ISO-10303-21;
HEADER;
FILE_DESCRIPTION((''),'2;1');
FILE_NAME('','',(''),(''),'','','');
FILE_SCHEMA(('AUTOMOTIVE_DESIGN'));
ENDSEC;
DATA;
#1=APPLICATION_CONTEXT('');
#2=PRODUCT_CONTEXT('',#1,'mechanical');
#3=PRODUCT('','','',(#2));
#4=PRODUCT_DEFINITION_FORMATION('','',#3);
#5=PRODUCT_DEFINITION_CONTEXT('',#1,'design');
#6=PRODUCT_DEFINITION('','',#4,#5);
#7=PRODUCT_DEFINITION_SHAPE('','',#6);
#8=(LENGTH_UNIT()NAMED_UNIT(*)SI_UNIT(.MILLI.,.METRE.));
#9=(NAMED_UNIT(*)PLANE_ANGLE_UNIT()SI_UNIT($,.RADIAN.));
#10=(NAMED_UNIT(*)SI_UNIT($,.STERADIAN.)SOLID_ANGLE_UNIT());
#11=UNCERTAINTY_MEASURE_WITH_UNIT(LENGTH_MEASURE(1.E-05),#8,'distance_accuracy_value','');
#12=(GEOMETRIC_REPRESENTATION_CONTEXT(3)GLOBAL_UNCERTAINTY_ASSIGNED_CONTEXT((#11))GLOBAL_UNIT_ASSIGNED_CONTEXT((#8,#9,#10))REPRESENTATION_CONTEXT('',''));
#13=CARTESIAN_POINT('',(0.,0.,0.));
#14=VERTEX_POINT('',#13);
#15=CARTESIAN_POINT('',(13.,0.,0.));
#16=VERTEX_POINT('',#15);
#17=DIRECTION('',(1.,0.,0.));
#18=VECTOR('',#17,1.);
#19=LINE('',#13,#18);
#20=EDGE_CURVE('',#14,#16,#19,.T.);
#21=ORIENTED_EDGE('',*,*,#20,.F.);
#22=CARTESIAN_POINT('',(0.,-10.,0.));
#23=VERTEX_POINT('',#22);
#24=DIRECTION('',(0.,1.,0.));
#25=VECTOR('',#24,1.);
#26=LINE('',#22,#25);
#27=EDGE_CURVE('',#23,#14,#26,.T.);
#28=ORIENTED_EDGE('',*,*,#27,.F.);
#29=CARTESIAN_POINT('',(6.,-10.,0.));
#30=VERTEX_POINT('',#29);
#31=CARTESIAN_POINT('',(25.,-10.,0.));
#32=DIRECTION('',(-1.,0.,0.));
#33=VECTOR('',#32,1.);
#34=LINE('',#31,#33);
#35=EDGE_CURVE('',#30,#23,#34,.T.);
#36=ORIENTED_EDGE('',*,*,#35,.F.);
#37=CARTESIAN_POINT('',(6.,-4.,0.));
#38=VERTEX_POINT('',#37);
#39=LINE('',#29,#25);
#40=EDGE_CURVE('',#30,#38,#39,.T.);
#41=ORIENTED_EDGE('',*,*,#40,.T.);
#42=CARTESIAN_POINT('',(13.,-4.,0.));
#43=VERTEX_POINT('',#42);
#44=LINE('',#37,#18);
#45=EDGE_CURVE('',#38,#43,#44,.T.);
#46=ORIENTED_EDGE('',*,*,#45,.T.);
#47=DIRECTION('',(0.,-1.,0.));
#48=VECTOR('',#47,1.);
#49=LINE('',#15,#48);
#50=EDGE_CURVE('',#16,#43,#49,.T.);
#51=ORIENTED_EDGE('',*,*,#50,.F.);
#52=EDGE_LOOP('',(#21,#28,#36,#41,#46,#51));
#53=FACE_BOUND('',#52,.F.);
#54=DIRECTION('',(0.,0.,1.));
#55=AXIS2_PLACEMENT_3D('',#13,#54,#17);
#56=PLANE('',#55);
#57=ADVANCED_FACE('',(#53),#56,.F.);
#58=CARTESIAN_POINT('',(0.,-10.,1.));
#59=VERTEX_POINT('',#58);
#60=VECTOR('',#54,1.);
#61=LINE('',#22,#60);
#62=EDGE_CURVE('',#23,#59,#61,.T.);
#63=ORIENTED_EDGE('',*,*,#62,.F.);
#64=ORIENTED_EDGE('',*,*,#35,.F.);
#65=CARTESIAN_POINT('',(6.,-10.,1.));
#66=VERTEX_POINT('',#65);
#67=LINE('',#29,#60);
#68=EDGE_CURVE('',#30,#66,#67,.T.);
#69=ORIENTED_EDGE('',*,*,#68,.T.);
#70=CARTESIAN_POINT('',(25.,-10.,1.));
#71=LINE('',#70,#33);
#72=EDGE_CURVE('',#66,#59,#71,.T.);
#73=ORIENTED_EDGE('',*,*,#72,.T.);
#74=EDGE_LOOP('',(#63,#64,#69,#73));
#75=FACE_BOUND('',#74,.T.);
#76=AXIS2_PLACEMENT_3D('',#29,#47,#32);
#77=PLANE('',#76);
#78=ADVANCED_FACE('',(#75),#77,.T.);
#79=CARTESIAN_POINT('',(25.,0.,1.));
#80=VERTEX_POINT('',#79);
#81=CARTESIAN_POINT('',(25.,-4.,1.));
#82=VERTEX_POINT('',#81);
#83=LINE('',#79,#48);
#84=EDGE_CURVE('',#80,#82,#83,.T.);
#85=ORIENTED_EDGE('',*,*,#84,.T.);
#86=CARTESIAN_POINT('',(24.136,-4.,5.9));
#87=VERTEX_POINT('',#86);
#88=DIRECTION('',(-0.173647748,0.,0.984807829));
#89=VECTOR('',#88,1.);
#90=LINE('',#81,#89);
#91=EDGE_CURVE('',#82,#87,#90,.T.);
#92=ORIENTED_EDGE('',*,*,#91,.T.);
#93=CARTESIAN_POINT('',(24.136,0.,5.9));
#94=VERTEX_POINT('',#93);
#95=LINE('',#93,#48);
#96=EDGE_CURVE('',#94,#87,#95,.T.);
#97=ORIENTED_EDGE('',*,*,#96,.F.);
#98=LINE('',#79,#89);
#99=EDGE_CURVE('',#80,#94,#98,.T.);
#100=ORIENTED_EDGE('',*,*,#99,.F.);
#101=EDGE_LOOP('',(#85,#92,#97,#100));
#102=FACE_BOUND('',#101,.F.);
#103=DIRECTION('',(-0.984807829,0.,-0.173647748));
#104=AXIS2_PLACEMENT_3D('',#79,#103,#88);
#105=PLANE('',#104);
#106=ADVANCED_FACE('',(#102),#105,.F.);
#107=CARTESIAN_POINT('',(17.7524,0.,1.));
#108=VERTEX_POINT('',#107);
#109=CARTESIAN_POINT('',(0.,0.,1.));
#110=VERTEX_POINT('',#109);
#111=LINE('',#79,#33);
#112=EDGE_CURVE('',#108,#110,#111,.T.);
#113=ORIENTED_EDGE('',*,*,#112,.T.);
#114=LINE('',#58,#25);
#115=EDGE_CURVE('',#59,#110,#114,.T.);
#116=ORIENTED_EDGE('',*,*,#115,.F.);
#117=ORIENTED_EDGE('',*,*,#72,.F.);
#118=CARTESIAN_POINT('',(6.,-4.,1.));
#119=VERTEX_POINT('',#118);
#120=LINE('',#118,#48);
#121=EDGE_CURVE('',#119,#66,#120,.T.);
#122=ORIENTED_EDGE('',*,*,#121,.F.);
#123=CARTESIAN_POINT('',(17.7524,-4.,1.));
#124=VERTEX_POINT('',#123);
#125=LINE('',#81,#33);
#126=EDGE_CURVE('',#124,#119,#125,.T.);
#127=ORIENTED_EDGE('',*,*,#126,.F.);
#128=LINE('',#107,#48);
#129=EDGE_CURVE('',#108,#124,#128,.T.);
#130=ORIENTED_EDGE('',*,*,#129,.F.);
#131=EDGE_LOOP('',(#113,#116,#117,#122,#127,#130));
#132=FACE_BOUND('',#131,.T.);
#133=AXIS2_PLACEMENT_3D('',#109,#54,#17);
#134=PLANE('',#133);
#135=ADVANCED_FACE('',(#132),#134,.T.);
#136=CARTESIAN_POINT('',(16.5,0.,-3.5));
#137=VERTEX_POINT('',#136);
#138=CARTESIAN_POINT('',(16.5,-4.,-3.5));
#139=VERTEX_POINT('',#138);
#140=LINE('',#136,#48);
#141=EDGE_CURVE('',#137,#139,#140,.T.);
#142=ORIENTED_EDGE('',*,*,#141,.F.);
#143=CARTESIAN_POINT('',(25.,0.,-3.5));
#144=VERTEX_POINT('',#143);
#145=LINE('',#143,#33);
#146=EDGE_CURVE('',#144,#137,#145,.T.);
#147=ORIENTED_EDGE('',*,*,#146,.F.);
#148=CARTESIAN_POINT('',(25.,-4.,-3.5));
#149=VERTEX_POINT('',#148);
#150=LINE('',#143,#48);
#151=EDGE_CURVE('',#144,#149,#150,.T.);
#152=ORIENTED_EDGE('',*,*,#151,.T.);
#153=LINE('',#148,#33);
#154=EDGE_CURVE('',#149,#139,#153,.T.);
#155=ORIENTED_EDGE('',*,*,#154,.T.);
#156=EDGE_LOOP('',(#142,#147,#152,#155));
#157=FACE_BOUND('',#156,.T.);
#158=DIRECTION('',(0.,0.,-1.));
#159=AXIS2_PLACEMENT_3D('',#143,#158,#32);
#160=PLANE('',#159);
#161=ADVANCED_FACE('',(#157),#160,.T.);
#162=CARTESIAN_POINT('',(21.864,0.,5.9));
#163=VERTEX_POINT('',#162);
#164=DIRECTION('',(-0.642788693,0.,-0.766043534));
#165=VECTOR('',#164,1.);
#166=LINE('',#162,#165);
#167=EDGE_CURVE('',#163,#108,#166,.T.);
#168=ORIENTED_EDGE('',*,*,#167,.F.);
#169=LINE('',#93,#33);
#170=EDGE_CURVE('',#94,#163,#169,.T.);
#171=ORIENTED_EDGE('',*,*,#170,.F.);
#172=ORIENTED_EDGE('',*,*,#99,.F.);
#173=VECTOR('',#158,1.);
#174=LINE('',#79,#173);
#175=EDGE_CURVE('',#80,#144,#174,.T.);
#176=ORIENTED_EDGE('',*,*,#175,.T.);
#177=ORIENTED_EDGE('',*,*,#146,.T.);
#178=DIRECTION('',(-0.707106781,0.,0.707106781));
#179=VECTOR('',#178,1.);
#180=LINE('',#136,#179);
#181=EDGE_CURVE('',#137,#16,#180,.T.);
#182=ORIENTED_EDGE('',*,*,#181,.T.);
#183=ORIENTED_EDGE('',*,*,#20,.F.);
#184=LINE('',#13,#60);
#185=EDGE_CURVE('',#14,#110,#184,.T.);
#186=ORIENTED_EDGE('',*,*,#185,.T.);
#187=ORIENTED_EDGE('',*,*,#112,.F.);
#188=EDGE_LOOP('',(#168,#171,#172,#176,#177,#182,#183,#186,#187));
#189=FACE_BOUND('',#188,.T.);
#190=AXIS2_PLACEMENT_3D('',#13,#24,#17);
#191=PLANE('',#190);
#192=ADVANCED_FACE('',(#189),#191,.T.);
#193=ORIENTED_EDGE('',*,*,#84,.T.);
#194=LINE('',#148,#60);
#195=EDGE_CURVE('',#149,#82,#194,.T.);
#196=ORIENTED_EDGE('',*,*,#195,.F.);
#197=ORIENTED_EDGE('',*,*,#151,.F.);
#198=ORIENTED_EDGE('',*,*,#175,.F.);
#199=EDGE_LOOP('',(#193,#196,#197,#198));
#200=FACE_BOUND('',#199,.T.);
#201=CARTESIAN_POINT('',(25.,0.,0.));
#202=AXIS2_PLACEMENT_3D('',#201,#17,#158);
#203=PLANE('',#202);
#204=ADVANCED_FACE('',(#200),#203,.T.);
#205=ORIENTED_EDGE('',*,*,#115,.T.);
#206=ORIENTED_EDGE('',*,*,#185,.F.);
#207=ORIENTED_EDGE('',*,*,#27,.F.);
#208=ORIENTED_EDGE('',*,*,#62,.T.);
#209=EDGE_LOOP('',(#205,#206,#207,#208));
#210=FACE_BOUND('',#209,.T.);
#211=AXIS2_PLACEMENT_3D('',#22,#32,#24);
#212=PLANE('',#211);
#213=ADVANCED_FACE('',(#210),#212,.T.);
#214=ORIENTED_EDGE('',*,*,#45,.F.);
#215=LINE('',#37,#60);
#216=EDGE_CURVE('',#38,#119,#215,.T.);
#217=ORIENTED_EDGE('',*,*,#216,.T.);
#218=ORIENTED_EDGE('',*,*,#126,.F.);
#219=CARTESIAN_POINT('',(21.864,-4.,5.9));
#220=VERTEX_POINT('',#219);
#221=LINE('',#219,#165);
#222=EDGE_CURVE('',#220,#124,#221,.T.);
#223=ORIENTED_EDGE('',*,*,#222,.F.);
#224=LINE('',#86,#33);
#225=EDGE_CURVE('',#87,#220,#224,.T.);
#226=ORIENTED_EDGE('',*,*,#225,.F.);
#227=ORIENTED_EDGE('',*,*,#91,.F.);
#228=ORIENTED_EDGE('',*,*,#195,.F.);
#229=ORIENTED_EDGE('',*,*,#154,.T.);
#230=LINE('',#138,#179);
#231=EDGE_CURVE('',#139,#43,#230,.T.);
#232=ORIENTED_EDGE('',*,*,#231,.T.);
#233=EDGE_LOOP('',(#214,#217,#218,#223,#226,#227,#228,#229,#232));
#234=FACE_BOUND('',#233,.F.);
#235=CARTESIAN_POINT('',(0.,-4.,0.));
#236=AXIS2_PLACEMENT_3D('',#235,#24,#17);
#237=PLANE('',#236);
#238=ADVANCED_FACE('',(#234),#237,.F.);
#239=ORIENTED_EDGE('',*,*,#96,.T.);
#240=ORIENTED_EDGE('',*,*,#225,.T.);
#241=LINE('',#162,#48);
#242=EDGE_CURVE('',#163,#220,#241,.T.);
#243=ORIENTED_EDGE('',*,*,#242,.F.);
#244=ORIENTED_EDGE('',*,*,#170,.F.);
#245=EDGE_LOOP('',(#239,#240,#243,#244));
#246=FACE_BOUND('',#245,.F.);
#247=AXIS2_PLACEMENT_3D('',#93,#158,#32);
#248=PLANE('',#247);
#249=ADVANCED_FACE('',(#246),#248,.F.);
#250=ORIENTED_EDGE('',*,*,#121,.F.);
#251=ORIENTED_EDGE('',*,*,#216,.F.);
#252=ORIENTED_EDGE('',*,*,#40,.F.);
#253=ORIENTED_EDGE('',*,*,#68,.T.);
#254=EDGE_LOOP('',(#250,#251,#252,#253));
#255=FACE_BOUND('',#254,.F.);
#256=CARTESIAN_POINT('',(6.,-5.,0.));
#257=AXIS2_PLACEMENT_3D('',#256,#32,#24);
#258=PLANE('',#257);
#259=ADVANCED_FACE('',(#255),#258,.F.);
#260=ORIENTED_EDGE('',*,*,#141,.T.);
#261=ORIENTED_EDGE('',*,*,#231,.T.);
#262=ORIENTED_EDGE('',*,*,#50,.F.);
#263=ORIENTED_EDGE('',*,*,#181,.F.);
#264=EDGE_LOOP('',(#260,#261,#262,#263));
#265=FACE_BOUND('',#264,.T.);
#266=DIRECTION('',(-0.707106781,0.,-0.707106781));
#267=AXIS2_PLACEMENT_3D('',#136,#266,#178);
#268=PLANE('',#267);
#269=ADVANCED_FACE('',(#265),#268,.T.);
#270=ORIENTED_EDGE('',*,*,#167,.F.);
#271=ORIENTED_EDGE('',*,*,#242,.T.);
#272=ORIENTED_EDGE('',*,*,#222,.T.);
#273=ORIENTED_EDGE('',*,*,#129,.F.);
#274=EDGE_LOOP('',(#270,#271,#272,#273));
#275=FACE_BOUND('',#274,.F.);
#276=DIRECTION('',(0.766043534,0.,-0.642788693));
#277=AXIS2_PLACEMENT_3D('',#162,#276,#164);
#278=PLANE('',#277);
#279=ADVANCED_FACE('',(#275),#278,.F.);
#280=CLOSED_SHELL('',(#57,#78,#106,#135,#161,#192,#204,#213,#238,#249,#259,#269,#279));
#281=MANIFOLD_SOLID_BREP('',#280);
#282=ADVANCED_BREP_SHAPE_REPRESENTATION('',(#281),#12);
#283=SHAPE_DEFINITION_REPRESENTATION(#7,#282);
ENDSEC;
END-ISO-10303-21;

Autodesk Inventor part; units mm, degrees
ref_plane "YZ Plane" through (0, 0, 0) normal (1, 0, 0) x (0, 1, 0)
ref_plane "XZ Plane" through (0, 0, 0) normal (0, 1, 0) x (-1, 0, 0)
ref_plane "XY Plane" through (0, 0, 0) normal (0, 0, 1) x (1, 0, 0)
sketch "草圖1" plane through (0, 0, 0) normal (0, 0, 1) x (1, 0, 0)
  line L0 (0, 0) -> (25, 0)
  line L1 (25, 0) -> (25, -10)
  line L2 (25, -10) -> (0, -10)
  line L3 (0, -10) -> (0, 0)
  line L4 (25, 0) -> (7, 0)
  line L5 (7, 0) -> (7, -4)
  line L6 (7, -4) -> (25, -4)
  line L7 (25, -4) -> (25, 0)
  line L8 (26, -5) -> (6, -5)
  line L9 (6, -5) -> (6, 1)
  line L10 (6, 1) -> (26, 1)
  line L11 (26, 1) -> (26, -5)
  line L12 (7, -4) -> (6, -4)
  line L13 (6, -5) -> (6, -10)
  point P0 (25, -5)
  dimension "d0" = 25
  dimension "d1" = 10
  dimension "d2" = 18
  dimension "d3" = 4
  dimension "d4" = 1
extrude "擠出1" add sketch "草圖1" along normal blind 1 contours L5 L12 L9 L0 | L0 L1 L6 L5 | L9 L13 L2 L3 L0
sketch "草圖2" plane through (0, 0, 0) normal (0, 1, 0) x (1, 0, 0)
  line L0 (25, -1) -> (0, -1) projected
  line L1 (25, -1) -> (24.136, -5.9)
  line L2 (24.136, -5.9) -> (21.864, -5.9)
  line L3 (21.864, -5.9) -> (17.7524, -1)
  point P0 (0, 0)
  point P1 (23, -5.9)
  dimension "d7" = 4.9
  dimension "d8" = 2
  dimension "d9" = 80
  dimension "d10" = 50
extrude "擠出2" add sketch "草圖2" against normal up to surface (4 mm away)
sketch "草圖3" plane through (0, 0, 0) normal (0, 1, 0) x (1, 0, 0)
  line L0 (25, 0) -> (0, 0) projected
  line L1 (0, 0) -> (0, -1) projected
  line L2 (17.7524, -1) -> (0, -1) projected
  line L3 (17.7524, -1) -> (21.864, -5.9) projected
  line L4 (21.864, -5.9) -> (24.136, -5.9) projected
  line L5 (24.136, -5.9) -> (25, -1) projected
  line L6 (25, 0) -> (25, -1) projected
  line L7 (25, 0) -> (25, 3.5)
  line L8 (25, 3.5) -> (16.5, 3.5)
  line L9 (16.5, 3.5) -> (13, 0)
  dimension "d13" = 12
  dimension "d14" = 45
  dimension "d15" = 3.5
extrude "擠出3" add sketch "草圖3" against normal up to surface (4 mm away) contours L0 L9 L8 L7
properties part number "botton_3D 列印"
